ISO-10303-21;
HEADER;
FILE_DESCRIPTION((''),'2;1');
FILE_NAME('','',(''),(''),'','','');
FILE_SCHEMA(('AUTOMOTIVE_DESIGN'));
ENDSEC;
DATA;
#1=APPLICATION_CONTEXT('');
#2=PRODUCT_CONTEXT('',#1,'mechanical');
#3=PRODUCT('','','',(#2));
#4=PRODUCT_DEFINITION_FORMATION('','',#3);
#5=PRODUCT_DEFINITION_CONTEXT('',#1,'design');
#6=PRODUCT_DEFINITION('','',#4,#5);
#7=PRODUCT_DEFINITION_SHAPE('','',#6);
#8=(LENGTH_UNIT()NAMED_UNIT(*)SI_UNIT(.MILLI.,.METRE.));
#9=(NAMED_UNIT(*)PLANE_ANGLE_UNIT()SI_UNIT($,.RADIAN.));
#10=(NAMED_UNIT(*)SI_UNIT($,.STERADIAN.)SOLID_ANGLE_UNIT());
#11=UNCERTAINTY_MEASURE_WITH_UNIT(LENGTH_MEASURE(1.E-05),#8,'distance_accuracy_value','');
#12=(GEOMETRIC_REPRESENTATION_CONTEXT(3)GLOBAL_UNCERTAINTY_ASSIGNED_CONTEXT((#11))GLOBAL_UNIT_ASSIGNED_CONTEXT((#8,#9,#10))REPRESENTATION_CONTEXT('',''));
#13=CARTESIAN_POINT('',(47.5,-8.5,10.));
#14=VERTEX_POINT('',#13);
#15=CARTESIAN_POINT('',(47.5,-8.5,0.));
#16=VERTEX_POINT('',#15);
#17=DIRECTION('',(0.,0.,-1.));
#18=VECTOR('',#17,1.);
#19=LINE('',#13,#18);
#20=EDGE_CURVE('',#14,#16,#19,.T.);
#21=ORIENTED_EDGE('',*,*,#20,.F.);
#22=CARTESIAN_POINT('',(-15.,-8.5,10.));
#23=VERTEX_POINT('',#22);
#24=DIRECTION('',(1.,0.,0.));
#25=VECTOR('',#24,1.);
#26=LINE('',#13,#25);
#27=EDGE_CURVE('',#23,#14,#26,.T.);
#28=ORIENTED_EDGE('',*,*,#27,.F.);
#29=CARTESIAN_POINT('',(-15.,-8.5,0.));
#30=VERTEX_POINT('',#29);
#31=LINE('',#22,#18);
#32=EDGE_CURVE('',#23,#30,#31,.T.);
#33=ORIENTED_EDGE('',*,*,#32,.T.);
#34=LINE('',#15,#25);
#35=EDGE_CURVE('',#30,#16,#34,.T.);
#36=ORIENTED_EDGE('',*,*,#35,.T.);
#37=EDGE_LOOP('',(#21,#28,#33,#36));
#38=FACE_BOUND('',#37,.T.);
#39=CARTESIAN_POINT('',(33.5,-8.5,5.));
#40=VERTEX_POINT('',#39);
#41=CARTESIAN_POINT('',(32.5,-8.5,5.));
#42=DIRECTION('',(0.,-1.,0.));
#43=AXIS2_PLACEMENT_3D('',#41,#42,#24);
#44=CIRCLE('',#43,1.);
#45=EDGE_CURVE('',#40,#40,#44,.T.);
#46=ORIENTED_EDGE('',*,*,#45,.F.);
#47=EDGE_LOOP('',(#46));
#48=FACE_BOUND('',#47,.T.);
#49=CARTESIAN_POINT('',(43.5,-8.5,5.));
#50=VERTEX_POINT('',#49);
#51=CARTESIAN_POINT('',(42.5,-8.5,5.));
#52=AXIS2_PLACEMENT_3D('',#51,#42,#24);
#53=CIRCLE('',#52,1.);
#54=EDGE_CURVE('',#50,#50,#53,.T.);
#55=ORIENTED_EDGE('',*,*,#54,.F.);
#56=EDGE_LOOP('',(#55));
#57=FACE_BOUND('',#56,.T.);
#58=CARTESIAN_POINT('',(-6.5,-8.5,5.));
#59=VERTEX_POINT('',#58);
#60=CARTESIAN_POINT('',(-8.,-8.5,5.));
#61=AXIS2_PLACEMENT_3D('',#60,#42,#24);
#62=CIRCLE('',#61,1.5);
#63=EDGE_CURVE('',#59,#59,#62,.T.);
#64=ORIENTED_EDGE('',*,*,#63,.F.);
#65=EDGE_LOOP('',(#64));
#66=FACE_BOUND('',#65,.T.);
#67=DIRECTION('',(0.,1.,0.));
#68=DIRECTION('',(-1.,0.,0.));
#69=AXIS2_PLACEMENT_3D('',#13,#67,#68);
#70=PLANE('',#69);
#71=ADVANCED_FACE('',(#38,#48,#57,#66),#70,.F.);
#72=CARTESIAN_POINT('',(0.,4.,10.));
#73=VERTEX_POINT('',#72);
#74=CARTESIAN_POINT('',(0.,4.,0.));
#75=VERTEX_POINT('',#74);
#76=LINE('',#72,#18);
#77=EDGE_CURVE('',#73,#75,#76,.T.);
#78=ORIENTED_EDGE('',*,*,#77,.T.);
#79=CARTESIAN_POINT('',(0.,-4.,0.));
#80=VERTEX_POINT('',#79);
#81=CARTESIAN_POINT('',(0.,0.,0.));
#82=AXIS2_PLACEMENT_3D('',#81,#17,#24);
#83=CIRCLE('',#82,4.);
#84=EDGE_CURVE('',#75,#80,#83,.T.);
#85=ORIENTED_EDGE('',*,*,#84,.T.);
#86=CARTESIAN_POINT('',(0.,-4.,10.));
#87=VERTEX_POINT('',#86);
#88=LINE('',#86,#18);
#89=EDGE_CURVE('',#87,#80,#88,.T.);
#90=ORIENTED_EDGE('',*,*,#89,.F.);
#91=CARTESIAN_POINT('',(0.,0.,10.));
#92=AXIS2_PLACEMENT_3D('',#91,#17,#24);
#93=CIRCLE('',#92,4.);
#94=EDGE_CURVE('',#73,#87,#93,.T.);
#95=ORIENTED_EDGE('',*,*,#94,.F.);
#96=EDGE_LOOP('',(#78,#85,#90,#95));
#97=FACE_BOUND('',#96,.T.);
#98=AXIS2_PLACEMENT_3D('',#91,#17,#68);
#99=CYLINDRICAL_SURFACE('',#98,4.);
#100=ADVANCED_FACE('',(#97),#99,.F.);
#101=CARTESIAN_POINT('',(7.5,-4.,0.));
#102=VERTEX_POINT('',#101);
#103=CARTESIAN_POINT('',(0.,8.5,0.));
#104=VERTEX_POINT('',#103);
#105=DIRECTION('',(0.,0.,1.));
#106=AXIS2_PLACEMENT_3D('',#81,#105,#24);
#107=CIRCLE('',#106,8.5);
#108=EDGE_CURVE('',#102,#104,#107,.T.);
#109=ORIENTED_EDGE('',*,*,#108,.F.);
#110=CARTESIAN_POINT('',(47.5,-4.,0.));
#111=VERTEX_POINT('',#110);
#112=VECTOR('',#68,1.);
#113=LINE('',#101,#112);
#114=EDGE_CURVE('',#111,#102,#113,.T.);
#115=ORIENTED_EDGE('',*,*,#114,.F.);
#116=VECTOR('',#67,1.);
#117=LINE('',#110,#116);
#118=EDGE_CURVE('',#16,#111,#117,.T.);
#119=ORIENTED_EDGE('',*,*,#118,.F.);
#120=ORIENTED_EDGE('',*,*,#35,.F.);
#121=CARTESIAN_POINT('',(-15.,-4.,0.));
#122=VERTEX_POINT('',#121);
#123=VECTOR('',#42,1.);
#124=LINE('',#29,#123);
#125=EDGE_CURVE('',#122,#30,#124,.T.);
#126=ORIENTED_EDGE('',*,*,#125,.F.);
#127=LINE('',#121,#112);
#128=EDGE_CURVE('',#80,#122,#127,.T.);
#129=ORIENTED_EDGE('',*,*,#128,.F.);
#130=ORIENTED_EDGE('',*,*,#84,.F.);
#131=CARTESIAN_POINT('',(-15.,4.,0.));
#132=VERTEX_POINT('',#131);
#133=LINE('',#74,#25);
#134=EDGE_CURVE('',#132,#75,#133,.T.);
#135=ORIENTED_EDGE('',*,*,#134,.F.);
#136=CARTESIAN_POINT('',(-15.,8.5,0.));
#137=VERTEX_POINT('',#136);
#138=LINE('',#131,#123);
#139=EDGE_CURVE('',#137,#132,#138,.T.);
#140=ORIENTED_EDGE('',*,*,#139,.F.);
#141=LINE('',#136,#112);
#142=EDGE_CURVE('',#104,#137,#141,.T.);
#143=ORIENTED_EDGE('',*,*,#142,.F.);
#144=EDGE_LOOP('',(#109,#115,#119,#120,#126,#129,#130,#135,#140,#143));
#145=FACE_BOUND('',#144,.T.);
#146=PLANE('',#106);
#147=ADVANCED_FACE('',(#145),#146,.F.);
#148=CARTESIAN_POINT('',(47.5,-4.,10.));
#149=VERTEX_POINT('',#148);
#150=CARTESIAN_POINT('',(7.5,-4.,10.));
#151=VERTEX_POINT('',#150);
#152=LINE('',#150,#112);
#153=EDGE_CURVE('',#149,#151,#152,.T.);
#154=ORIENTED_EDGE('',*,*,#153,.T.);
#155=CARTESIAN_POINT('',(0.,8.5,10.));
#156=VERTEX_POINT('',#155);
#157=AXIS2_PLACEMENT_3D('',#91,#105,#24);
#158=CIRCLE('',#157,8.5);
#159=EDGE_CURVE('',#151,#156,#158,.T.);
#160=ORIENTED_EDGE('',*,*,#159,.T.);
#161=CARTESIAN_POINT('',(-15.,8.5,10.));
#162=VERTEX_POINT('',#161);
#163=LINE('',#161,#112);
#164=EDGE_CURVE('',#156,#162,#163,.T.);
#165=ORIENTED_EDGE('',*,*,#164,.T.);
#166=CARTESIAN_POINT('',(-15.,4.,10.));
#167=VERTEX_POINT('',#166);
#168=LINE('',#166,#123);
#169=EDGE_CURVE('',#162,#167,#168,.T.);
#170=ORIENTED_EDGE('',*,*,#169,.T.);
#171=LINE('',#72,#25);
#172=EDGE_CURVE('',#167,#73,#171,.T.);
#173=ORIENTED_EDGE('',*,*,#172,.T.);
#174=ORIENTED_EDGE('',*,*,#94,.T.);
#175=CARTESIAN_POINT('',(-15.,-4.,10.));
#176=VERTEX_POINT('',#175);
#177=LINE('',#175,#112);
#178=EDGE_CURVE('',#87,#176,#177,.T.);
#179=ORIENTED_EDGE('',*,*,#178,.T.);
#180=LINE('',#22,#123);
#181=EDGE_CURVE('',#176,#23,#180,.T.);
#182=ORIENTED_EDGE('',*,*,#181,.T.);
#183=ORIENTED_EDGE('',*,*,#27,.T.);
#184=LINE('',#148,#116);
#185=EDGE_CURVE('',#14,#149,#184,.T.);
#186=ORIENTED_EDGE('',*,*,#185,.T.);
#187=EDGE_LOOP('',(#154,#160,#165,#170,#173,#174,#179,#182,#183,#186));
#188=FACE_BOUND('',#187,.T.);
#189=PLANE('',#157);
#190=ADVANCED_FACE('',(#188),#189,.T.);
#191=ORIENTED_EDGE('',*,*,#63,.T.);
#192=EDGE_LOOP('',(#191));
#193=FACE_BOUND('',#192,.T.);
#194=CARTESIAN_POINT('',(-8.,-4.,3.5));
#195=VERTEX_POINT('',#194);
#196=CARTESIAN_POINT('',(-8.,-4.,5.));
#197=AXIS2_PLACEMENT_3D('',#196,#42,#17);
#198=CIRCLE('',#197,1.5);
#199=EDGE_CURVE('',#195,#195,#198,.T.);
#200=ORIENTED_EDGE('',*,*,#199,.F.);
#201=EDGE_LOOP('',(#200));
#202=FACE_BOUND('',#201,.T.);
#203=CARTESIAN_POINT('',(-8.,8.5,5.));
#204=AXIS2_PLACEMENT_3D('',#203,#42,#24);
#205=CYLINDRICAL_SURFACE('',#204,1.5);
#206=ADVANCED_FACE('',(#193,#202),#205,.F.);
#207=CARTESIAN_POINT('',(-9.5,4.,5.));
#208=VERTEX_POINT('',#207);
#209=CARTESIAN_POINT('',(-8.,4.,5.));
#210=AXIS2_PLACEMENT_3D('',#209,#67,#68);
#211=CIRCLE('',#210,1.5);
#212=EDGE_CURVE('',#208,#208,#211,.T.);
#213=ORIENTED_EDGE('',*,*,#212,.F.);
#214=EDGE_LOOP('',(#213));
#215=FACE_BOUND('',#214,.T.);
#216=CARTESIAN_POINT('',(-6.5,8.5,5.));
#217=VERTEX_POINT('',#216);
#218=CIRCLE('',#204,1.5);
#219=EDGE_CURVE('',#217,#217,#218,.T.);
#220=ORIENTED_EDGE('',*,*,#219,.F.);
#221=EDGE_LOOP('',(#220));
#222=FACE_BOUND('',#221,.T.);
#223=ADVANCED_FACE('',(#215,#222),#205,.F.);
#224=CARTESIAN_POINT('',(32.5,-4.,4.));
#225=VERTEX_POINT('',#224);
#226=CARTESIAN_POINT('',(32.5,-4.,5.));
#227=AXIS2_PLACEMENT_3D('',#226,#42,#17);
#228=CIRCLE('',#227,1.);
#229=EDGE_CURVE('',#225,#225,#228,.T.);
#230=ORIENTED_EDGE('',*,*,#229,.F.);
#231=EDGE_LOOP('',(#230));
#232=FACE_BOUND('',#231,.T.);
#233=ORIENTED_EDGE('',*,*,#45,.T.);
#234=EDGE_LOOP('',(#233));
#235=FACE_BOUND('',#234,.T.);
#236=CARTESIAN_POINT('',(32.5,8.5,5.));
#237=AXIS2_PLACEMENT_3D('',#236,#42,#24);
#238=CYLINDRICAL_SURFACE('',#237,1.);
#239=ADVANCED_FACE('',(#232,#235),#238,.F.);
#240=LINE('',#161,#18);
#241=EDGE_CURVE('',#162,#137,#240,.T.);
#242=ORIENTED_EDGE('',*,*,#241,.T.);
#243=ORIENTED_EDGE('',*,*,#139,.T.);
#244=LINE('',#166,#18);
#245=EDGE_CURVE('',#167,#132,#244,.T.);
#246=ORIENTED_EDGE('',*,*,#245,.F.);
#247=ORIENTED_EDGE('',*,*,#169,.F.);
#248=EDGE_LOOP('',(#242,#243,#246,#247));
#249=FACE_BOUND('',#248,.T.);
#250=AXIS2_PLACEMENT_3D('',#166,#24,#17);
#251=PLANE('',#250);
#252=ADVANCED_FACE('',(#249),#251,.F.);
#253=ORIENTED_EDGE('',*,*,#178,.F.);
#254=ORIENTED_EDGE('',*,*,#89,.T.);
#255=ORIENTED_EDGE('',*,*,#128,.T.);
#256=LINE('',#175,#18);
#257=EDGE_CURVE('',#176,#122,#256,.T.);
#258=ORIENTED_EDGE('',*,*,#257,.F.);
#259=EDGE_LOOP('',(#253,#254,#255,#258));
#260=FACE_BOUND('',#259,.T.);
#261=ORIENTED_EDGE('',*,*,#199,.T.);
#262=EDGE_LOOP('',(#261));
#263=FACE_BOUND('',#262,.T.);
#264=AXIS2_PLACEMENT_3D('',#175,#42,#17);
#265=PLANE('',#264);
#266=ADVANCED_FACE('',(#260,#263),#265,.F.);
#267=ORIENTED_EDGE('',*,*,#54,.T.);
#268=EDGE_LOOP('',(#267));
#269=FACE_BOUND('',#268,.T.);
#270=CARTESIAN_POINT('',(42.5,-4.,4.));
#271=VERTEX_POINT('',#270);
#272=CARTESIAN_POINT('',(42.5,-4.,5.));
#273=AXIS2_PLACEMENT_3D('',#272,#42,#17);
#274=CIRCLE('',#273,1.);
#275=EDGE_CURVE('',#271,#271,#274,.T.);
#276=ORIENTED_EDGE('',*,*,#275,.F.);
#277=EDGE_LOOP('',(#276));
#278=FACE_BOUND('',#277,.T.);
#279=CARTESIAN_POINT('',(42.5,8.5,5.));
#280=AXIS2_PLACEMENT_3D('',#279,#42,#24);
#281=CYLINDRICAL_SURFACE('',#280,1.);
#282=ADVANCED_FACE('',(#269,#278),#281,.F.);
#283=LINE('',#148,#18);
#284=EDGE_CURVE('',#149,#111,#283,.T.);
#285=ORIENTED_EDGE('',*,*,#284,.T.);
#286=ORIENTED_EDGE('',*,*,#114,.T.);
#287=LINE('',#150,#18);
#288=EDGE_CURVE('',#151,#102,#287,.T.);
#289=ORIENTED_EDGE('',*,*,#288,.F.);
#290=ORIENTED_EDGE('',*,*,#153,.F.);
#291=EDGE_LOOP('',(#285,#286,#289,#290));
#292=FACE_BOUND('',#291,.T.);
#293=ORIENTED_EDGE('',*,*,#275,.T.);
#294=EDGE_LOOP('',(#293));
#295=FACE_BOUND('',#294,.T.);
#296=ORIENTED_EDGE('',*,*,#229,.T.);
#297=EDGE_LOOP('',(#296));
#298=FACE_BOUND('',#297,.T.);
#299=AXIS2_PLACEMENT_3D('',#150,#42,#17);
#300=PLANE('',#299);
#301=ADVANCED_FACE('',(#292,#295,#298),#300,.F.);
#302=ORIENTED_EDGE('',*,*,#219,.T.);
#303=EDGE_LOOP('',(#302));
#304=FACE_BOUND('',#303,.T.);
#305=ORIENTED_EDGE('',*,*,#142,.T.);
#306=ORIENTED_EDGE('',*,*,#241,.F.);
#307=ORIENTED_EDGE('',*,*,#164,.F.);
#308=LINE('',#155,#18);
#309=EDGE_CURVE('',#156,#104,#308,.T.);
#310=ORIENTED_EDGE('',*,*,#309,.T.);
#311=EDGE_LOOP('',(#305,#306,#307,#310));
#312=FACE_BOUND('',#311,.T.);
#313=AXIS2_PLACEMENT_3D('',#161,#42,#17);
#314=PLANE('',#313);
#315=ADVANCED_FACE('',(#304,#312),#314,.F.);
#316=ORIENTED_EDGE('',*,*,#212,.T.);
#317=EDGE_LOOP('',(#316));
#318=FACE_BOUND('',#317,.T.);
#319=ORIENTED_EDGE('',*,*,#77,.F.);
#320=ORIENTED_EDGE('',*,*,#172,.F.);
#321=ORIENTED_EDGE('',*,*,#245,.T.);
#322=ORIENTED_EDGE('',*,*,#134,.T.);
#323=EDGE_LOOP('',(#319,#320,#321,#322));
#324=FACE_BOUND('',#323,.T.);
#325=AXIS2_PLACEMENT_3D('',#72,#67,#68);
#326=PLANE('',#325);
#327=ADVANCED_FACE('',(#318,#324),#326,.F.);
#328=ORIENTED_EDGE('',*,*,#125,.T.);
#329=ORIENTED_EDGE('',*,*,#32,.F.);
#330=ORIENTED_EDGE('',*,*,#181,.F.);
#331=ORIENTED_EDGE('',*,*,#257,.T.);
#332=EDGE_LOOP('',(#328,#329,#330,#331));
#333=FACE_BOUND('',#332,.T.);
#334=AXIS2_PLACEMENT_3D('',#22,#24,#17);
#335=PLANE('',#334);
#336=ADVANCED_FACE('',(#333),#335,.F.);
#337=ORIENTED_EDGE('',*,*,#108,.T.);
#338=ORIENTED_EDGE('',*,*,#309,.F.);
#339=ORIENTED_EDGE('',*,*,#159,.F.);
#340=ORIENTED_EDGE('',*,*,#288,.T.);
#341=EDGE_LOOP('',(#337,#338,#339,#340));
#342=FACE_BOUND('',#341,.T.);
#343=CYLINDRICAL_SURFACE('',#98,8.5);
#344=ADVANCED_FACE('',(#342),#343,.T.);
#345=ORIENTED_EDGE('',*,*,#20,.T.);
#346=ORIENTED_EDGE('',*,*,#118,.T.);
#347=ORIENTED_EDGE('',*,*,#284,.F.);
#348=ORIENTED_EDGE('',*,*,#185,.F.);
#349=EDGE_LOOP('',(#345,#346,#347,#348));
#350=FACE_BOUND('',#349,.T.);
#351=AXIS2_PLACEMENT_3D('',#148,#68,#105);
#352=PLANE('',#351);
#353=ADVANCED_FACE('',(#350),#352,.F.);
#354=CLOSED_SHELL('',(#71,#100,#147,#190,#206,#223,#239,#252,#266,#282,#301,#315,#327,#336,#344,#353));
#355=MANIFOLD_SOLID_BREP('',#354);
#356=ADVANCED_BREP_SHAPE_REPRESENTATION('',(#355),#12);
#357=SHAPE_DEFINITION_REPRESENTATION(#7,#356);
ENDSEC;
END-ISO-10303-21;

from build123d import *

# Parameters (mm, degrees)
SALIENTE_EXTRUIR1_DEPTH = 10
CROQUIS2_R              = 1
CROQUIS2_R_2            = 1.5
CORTAR_EXTRUIR1_DEPTH   = 52.431993934


with BuildPart() as part:
    # Croquis1 → Saliente-Extruir1 (new body)
    with BuildSketch(Plane.XY):
        with BuildLine():
            Line((0, 4), (-15, 4))
            Line((-15, 4), (-15, 8.5))
            Line((-15, 8.5), (0, 8.5))
            ThreePointArc((0, 8.5), (7.288689869, 4.373213921), (7.5, -4))
            Line((7.5, -4), (47.5, -4))
            Line((47.5, -4), (47.5, -8.5))
            Line((47.5, -8.5), (-15, -8.5))
            Line((-15, -8.5), (-15, -4))
            Line((-15, -4), (0, -4))
            ThreePointArc((0, -4), (4, 0), (0, 4))
        make_face()
    extrude(amount=SALIENTE_EXTRUIR1_DEPTH)

    # Croquis2 → Cortar-Extruir1 (cut, through all)
    with BuildSketch(Plane.XZ.offset(8.5)):
        with Locations((42.5, 5)):
            Circle(CROQUIS2_R)
        with Locations((32.5, 5)):
            Circle(CROQUIS2_R)
        with Locations((-8, 5)):
            Circle(CROQUIS2_R_2)
    extrude(amount=-CORTAR_EXTRUIR1_DEPTH, mode=Mode.SUBTRACT)


solid = part.part
